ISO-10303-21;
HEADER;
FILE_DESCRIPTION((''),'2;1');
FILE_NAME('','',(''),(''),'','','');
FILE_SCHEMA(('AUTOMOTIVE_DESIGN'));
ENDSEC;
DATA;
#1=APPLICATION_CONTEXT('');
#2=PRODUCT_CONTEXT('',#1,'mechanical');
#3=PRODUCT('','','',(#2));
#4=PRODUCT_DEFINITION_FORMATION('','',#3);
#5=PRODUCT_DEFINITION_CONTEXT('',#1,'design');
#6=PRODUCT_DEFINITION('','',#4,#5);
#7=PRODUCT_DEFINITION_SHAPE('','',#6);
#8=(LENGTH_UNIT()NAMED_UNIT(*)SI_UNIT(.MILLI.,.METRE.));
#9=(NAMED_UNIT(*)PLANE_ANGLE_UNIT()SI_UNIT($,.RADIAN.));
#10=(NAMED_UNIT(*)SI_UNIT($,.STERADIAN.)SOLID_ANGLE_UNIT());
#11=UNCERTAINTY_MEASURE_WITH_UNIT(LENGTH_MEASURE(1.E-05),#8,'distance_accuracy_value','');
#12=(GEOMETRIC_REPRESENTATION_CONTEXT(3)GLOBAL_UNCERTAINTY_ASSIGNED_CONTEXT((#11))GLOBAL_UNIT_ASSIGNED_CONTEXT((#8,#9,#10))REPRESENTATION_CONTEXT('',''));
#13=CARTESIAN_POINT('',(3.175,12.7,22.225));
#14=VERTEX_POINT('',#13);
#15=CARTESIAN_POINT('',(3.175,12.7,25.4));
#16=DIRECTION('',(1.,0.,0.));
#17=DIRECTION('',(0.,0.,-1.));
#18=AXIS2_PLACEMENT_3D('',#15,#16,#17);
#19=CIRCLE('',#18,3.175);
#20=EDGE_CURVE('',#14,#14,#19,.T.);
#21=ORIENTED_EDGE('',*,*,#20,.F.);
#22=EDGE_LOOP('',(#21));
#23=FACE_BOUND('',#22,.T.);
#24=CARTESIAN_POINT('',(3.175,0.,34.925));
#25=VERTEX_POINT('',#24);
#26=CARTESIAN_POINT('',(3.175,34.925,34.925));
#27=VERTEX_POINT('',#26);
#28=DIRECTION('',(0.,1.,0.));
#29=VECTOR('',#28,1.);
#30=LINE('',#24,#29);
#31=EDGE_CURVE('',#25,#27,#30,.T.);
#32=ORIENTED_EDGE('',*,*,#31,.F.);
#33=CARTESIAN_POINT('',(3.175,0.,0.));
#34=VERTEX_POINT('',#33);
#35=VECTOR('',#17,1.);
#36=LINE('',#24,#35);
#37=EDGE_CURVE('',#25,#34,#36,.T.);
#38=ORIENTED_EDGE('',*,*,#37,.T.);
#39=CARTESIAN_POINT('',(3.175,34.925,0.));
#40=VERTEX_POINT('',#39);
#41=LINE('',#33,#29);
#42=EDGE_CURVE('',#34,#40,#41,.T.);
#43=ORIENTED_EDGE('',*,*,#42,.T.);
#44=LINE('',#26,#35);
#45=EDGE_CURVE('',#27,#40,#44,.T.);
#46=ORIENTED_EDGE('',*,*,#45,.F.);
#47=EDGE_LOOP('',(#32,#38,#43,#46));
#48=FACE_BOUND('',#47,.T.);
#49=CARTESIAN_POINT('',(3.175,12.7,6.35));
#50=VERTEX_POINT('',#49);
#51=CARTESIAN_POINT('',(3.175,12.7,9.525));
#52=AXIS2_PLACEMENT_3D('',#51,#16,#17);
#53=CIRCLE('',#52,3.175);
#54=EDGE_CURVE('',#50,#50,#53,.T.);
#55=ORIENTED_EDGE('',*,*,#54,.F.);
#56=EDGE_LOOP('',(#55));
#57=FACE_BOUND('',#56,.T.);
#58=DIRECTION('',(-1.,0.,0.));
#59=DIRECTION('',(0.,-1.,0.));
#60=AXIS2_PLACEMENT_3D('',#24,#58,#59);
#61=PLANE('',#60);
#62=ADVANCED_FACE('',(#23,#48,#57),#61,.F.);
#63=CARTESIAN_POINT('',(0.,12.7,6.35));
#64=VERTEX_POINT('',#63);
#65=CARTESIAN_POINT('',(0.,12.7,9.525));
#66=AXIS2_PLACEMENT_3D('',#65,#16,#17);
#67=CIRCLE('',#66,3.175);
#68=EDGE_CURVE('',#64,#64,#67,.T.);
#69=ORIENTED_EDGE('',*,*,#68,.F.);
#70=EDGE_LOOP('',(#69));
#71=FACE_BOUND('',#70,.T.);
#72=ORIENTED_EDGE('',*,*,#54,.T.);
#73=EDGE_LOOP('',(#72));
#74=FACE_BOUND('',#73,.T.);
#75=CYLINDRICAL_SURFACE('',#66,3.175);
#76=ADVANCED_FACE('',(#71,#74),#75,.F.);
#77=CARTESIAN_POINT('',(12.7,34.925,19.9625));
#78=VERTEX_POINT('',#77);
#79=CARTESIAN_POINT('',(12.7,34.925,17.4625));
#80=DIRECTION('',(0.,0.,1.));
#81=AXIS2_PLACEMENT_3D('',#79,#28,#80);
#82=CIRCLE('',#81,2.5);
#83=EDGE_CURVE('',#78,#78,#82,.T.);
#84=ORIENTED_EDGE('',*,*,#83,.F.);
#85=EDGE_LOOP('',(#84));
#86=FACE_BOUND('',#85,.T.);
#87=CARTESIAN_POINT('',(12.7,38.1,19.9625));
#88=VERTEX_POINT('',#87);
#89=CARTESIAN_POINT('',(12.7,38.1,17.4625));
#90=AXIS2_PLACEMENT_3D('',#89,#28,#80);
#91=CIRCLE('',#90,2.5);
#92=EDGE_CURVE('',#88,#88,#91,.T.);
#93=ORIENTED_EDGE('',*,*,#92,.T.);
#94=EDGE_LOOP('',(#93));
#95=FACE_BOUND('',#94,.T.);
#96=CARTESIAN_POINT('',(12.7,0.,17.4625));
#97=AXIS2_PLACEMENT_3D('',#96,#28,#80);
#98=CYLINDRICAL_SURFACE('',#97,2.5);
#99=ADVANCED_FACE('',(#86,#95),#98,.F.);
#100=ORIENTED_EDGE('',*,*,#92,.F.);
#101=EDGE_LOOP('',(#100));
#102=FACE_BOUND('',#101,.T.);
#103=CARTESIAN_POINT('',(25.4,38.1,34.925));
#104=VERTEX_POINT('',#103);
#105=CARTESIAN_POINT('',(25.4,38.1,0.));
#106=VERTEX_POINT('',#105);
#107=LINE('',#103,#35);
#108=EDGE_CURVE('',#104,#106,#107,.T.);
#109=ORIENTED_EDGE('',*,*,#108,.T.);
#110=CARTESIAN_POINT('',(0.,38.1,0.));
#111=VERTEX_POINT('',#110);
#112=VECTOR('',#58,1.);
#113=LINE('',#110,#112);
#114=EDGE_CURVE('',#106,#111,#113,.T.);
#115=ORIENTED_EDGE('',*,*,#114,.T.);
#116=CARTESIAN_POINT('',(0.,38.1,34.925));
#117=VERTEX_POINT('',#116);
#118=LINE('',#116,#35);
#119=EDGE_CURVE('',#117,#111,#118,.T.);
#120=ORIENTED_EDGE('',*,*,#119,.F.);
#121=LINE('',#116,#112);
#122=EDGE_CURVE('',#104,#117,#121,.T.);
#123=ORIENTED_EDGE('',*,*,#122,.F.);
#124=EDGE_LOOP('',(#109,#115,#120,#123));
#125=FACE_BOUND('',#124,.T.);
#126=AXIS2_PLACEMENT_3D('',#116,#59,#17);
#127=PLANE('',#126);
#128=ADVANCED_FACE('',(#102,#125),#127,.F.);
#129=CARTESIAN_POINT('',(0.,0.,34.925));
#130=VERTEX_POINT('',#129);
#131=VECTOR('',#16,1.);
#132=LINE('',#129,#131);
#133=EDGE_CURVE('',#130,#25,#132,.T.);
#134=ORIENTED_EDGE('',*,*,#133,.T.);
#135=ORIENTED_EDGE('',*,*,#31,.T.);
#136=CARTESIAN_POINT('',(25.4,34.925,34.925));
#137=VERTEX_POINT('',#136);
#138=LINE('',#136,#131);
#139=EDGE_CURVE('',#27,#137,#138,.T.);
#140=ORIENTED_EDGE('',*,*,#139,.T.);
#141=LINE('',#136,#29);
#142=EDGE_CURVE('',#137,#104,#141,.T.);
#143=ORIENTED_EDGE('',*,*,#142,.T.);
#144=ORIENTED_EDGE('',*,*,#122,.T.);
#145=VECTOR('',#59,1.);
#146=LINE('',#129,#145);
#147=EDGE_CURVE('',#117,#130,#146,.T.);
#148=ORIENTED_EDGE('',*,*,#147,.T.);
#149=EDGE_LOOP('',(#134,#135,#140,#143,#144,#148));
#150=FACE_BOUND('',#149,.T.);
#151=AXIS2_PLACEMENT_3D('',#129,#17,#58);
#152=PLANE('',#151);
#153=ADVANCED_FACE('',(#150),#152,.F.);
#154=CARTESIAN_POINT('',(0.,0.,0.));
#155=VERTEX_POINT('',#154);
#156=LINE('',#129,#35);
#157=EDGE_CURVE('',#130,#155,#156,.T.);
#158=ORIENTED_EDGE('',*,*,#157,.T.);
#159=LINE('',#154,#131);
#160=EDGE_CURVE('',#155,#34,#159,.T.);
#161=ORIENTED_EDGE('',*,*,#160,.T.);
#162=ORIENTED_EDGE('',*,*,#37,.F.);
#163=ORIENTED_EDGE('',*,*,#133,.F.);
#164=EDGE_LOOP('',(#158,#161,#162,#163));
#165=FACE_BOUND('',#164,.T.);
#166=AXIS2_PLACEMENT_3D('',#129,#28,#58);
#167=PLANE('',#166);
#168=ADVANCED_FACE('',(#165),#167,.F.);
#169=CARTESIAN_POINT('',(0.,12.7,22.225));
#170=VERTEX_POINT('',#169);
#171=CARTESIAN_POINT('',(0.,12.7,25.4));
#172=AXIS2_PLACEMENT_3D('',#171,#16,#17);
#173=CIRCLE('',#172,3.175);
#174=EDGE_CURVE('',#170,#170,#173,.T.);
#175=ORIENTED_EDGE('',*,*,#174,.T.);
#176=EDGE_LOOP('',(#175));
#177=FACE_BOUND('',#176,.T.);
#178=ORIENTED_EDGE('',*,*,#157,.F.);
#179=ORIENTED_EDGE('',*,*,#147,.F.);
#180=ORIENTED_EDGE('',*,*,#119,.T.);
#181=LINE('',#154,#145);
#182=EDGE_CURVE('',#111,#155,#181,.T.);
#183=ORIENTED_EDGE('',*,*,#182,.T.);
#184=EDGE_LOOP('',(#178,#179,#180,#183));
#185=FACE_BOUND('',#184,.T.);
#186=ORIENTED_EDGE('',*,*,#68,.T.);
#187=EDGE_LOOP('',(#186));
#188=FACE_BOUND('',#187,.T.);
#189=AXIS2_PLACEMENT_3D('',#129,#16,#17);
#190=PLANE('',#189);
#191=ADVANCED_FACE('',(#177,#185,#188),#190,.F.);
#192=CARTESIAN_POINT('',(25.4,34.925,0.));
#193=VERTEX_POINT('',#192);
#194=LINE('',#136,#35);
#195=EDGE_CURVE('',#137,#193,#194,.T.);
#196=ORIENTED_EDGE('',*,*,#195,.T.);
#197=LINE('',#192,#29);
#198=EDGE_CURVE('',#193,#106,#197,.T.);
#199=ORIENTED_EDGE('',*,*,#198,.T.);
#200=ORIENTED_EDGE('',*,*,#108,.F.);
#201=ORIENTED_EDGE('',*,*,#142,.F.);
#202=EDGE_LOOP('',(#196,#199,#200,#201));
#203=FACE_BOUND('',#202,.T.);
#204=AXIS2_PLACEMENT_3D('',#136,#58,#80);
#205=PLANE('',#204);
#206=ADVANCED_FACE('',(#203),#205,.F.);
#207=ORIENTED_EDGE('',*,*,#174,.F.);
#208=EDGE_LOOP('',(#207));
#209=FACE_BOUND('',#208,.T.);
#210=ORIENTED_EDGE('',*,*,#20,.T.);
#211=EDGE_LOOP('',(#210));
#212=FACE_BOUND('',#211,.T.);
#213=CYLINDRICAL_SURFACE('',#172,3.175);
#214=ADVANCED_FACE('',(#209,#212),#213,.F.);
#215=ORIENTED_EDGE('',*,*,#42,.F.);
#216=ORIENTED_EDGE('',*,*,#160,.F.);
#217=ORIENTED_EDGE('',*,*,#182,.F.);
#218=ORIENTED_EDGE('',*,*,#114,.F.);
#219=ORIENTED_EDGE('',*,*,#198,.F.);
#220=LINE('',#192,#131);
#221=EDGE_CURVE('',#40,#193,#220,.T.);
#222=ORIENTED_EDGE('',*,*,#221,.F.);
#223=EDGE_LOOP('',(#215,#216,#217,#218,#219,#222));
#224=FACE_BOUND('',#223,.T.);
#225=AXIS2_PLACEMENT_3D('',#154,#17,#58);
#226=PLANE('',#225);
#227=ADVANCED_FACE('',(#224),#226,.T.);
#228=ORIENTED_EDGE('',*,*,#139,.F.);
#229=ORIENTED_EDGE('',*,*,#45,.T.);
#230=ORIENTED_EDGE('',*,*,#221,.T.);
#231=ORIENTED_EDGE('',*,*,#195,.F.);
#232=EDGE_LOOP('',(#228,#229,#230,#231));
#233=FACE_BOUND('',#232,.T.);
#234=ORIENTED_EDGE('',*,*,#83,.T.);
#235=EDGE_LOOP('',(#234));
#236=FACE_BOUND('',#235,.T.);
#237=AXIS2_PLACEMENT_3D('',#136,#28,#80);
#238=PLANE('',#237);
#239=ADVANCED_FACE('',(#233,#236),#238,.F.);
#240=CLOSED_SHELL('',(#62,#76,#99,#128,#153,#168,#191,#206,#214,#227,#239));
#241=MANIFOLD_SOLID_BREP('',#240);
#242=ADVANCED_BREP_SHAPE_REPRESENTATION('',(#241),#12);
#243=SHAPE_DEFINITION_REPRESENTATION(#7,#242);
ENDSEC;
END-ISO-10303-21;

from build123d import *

# Parameters (mm, degrees)
BOSS_EXTRUDE1_DEPTH = 34.925
SKETCH2_R           = 3.175
CUT_EXTRUDE1_DEPTH  = 4.175
SKETCH3_R           = 2.5
CUT_EXTRUDE2_DEPTH  = 39.1


with BuildPart() as part:
    # Sketch1 → Boss-Extrude1 (new body)
    with BuildSketch(Plane.XY):
        Polygon((0, 0), (3.175, 0), (3.175, 34.925), (25.4, 34.925), (25.4, 38.1), (0, 38.1), align=None)
    extrude(amount=BOSS_EXTRUDE1_DEPTH)

    # Sketch2 → Cut-Extrude1 (cut, through all)
    with BuildSketch(Plane(origin=(3.175, 0, 0), x_dir=(0, 0, -1), z_dir=(1, 0, 0))):
        with Locations((-25.4, 12.7)):
            Circle(SKETCH2_R)
        with Locations((-9.525, 12.7)):
            Circle(SKETCH2_R)
    extrude(amount=-CUT_EXTRUDE1_DEPTH, mode=Mode.SUBTRACT)

    # Sketch3 → Cut-Extrude2 (cut, through all)
    with BuildSketch(Plane(origin=(0, 38.1, 0), x_dir=(1, 0, 0), z_dir=(0, 1, 0))):
        with Locations((12.7, -17.4625)):
            Circle(SKETCH3_R)
    extrude(amount=-CUT_EXTRUDE2_DEPTH, mode=Mode.SUBTRACT)


solid = part.part
